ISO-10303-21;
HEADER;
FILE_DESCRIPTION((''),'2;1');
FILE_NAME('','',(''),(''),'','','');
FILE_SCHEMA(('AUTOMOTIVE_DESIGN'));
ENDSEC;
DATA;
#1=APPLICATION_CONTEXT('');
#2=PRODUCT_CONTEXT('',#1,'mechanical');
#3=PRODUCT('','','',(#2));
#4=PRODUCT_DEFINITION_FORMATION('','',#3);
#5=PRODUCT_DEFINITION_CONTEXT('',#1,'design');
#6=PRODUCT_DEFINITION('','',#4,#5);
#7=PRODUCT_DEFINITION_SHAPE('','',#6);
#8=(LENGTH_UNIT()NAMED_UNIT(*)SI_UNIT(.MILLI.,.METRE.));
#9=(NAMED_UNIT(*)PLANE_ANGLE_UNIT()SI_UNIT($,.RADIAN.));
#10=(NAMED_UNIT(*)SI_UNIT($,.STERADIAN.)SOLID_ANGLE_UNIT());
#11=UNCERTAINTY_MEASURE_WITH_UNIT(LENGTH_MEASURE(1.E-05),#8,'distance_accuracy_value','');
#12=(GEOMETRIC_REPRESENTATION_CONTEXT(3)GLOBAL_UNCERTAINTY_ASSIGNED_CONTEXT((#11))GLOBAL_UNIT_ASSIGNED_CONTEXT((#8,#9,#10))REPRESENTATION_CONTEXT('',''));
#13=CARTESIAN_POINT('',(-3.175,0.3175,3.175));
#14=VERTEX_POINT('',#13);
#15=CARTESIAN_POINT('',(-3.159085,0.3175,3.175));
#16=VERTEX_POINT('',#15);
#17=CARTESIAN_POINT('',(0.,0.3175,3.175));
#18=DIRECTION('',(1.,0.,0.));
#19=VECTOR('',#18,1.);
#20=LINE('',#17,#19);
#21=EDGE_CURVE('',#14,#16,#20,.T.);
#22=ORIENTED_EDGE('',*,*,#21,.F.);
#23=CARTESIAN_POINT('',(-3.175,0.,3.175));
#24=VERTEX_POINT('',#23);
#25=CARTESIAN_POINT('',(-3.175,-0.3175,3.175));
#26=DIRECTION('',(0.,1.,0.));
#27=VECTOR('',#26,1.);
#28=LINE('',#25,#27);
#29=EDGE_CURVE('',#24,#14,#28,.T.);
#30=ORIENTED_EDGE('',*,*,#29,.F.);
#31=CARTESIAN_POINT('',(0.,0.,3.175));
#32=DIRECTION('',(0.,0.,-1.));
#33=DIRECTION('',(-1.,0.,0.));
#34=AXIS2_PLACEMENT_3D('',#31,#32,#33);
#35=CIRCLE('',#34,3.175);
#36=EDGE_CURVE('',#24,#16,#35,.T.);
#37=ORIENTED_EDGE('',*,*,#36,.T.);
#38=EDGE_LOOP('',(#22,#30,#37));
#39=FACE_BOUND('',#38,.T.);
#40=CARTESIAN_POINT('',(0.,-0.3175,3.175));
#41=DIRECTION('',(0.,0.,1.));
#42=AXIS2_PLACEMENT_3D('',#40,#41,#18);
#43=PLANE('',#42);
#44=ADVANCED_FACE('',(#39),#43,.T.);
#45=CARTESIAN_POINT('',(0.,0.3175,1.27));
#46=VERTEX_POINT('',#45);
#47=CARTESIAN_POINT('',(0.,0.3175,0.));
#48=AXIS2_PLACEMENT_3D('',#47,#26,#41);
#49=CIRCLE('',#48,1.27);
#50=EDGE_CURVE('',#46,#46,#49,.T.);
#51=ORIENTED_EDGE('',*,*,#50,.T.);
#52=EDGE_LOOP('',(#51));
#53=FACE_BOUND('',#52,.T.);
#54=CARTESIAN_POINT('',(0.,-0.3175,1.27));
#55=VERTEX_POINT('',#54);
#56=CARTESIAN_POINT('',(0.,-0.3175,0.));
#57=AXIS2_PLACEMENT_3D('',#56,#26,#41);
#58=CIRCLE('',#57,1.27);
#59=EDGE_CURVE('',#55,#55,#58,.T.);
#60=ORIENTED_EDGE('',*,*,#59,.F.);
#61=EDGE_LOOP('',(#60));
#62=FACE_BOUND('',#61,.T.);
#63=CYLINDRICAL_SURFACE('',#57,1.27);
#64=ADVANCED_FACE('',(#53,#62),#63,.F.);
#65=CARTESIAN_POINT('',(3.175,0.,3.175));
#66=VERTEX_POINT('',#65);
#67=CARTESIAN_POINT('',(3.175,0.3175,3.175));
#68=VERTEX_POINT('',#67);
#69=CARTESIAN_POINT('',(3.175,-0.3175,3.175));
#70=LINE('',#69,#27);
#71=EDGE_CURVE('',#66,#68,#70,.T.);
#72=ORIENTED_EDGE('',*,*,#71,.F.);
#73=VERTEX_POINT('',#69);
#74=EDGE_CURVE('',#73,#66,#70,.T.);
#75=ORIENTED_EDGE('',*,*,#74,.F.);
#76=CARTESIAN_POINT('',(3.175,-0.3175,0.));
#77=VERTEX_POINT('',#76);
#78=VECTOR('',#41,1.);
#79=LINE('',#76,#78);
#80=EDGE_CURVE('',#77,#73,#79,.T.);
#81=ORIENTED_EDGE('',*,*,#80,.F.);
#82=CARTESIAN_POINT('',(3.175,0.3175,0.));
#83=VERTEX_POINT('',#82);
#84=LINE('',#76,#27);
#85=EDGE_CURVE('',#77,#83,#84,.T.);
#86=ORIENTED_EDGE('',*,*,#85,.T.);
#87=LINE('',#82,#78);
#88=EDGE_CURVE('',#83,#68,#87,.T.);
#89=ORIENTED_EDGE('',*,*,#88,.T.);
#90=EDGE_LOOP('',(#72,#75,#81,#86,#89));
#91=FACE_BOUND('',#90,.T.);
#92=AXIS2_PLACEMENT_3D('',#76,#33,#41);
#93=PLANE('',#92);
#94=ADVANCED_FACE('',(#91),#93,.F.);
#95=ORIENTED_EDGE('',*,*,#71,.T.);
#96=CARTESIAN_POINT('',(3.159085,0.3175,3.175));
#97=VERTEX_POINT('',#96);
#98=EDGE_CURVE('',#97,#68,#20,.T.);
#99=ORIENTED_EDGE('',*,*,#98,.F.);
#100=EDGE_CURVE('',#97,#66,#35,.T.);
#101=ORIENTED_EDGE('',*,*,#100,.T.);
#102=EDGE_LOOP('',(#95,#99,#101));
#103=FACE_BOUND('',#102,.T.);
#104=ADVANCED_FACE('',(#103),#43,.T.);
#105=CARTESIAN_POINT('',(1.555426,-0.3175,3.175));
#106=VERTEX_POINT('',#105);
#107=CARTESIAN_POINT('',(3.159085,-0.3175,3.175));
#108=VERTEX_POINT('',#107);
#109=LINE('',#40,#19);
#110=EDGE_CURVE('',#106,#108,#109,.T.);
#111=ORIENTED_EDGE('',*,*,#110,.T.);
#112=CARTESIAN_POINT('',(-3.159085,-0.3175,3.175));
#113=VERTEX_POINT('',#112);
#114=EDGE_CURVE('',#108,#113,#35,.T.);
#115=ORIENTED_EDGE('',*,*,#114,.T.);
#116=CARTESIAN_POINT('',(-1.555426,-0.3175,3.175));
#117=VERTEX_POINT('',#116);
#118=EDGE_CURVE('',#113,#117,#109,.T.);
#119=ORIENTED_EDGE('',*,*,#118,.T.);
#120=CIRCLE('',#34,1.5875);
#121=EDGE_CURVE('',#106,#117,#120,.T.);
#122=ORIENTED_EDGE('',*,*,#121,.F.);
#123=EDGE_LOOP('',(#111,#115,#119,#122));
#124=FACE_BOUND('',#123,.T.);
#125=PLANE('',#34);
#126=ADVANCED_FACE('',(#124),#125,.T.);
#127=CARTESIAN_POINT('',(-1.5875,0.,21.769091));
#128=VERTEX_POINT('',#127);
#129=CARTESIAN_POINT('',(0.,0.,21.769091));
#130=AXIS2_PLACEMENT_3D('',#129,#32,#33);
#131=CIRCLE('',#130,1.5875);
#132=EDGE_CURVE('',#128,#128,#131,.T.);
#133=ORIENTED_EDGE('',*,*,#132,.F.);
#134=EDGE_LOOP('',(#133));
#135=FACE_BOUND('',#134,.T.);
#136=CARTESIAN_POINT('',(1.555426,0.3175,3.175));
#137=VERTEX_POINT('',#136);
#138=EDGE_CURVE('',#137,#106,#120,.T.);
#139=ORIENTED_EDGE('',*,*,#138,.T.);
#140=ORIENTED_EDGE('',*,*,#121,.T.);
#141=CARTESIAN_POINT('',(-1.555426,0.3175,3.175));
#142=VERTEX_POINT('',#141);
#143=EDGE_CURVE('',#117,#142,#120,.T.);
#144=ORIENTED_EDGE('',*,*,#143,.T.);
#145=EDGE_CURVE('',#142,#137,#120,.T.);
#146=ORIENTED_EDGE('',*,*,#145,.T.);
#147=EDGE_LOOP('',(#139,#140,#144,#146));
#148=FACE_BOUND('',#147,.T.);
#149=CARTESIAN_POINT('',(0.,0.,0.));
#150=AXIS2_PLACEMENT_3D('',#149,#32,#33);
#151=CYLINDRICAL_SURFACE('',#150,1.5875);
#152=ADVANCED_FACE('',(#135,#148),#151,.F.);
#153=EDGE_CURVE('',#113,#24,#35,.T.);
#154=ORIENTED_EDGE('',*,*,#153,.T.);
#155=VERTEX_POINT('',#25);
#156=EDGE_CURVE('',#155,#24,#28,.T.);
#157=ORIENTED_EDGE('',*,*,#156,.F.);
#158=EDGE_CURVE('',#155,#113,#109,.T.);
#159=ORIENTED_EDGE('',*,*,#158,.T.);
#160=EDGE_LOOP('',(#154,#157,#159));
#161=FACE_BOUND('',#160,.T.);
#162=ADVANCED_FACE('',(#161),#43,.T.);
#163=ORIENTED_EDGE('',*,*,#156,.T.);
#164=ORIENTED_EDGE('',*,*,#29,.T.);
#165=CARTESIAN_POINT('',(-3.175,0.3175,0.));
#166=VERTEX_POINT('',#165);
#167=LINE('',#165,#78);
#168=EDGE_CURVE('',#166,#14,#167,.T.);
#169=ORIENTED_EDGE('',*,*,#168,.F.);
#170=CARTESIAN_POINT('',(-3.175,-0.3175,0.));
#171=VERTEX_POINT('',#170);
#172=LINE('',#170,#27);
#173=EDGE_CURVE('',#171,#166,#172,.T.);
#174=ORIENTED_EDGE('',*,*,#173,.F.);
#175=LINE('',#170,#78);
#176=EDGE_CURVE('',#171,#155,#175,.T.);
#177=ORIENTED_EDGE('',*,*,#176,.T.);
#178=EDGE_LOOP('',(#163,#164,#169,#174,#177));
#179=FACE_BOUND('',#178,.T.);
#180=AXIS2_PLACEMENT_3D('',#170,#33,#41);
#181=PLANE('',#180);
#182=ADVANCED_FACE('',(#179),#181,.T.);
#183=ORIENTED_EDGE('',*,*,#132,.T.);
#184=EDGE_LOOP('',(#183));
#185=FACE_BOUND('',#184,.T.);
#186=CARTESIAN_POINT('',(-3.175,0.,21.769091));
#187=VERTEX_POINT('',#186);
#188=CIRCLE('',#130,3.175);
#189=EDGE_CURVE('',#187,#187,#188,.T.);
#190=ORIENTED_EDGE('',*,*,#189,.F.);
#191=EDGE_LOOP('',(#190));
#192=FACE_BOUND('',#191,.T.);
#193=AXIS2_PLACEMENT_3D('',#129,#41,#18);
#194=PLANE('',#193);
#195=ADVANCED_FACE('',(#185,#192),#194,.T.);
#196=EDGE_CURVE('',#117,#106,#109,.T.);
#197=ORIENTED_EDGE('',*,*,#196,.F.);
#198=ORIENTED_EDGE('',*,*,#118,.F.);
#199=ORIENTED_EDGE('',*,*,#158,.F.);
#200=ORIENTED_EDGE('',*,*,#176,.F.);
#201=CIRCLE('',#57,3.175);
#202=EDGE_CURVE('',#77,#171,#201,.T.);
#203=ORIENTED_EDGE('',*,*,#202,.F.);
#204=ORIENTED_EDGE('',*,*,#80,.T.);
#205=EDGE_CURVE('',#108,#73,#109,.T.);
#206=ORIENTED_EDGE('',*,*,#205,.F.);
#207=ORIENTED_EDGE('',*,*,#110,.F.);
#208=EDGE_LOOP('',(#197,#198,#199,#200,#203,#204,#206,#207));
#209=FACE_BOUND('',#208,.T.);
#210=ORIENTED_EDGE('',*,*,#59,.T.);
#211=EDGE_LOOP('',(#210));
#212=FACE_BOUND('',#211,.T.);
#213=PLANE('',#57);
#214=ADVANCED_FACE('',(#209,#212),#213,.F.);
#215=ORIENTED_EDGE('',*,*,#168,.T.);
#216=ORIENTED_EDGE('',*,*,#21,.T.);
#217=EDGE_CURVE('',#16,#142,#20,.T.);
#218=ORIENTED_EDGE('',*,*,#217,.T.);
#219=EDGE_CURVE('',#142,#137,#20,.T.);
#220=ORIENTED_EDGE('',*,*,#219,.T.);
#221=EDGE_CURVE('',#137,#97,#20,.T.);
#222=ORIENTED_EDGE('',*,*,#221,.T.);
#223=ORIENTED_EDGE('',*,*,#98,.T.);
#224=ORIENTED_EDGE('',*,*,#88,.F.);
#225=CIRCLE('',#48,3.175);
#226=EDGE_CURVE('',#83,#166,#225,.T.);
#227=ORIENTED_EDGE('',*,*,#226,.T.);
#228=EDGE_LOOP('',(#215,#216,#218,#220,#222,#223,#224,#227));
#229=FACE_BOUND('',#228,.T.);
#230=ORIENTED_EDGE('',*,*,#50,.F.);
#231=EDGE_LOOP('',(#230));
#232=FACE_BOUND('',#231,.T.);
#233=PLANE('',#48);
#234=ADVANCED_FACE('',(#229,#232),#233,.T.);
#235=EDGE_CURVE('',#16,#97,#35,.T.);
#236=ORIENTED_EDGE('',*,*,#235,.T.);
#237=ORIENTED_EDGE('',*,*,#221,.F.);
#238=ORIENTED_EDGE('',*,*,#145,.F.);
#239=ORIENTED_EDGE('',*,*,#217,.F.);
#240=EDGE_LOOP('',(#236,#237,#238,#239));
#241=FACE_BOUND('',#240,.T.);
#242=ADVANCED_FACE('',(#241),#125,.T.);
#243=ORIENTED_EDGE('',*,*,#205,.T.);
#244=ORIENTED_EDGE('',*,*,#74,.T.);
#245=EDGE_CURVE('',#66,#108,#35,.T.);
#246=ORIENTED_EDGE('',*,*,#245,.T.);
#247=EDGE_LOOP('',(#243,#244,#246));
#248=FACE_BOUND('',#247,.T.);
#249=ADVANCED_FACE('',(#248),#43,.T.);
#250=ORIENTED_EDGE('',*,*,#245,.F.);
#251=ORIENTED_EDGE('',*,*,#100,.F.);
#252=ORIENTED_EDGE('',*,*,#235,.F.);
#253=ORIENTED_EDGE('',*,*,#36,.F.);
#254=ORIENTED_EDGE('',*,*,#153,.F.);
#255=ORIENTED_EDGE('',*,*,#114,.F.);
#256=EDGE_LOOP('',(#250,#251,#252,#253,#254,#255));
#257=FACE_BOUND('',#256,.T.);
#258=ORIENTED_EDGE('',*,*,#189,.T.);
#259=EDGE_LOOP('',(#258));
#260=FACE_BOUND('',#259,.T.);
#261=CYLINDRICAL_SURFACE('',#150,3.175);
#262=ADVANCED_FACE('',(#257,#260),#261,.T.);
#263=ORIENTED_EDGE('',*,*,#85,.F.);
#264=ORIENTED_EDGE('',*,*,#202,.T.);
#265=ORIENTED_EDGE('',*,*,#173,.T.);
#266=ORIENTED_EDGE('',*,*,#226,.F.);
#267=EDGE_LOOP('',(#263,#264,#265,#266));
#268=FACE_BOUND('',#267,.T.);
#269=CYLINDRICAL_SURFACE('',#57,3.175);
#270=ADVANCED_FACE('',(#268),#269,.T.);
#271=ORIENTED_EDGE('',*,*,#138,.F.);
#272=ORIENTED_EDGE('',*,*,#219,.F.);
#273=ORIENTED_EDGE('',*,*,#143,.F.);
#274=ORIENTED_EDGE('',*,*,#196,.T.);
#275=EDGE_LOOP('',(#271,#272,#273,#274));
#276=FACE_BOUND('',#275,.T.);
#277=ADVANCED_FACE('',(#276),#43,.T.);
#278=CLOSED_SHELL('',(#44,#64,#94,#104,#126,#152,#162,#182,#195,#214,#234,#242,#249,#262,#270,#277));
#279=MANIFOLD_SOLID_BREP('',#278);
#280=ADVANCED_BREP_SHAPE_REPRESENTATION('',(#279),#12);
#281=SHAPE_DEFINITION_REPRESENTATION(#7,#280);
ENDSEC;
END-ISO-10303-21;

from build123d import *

# Parameters (mm, degrees)
SKETCH1_W                = 1.5875
SKETCH1_H                = 18.594090574
BOSS_EXTRUDE1_DEPTH      = 0.3175
BOSS_EXTRUDE1_DEPTH_BACK = 0.3175
SKETCH1_10_R             = 1.27


with BuildPart() as part:
    # Sketch1 → Revolve6 (revolve)
    with BuildSketch(Plane(origin=(0, 0, 0), x_dir=(1, 0, 0), z_dir=(0, 1, 0))):
        with Locations((-2.38125, -12.472045287)):
            Rectangle(SKETCH1_W, SKETCH1_H)
    revolve(axis=Axis((0, 0, 0), (0, 0, 1)))

    # Sketch1<10> → Boss-Extrude1 (add, two sides: drawn at the far end of the back side and taken through both)
    with BuildSketch(Plane(origin=(0, 0, 0), x_dir=(1, 0, 0), z_dir=(0, 1, 0)).offset(-BOSS_EXTRUDE1_DEPTH_BACK)):
        with BuildLine():
            Line((3.175, -3.175), (3.175, 0))
            ThreePointArc((3.175, 0), (0, 3.175), (-3.175, 0))
            Line((-3.175, 0), (-3.175, -3.175))
            Line((-3.175, -3.175), (3.175, -3.175))
        make_face()
        Circle(SKETCH1_10_R, mode=Mode.SUBTRACT)
    extrude(amount=BOSS_EXTRUDE1_DEPTH + BOSS_EXTRUDE1_DEPTH_BACK)


solid = part.part
